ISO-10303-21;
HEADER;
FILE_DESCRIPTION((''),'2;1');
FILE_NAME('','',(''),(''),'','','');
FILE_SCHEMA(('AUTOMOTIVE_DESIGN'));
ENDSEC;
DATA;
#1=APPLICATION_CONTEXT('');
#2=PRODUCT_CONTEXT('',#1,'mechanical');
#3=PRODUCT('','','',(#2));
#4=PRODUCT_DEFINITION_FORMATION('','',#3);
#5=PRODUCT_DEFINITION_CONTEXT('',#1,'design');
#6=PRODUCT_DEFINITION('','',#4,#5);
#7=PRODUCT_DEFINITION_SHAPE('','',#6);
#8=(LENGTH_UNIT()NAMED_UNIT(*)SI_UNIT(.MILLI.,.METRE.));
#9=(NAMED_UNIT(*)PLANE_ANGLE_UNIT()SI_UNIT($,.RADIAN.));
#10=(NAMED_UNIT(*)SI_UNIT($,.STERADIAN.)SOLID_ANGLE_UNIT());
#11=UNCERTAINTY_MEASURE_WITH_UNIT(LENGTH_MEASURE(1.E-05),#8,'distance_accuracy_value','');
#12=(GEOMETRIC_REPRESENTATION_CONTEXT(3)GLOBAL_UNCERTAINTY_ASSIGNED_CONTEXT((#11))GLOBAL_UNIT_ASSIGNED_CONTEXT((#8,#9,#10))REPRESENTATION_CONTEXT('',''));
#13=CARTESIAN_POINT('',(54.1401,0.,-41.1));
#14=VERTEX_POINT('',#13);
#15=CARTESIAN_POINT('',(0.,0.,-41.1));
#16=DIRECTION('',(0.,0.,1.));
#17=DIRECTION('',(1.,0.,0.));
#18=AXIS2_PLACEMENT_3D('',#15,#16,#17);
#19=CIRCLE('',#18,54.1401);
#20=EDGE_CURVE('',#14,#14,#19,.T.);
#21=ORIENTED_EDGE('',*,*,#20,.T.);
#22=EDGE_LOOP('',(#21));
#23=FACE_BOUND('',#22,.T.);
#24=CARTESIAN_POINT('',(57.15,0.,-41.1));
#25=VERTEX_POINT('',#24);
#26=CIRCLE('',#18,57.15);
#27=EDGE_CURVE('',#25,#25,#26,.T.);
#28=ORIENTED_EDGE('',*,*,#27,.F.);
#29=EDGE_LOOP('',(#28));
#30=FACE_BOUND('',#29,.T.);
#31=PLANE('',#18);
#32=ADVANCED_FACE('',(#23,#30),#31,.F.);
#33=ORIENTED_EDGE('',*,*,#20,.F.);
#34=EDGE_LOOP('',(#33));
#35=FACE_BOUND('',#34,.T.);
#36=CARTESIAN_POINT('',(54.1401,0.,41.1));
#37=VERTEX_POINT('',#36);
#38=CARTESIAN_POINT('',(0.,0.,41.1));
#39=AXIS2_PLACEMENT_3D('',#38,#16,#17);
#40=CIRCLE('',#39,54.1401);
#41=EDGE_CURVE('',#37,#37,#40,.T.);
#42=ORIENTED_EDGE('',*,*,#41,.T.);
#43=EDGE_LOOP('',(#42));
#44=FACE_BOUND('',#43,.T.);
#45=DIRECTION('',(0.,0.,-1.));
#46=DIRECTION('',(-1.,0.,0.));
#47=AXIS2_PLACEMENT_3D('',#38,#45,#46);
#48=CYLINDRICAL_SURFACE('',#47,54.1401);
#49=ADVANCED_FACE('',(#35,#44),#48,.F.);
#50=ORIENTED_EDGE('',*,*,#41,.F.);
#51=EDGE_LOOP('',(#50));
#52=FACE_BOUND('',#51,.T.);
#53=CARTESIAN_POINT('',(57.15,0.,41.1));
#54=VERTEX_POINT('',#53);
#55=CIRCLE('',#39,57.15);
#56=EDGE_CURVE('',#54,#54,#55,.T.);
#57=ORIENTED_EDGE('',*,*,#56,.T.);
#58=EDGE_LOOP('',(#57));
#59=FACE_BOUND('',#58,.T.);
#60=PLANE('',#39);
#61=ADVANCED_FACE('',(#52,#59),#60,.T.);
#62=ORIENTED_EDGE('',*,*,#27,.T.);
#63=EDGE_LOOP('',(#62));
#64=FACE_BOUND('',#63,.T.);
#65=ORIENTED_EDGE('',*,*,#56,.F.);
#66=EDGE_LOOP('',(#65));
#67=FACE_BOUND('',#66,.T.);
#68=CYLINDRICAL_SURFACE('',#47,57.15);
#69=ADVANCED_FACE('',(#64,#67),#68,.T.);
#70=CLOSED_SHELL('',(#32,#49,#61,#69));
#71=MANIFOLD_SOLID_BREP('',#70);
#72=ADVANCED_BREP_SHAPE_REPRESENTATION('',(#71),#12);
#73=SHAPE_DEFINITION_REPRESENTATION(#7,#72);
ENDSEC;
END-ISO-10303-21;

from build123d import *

# Parameters (mm, degrees)
SKETCH1_R           = 57.15
SKETCH1_R_2         = 54.1401
BOSS_EXTRUDE1_DEPTH = 41.1


with BuildPart() as part:
    # Sketch1 → Boss-Extrude1 (new, symmetric)
    with BuildSketch(Plane.XY):
        Circle(SKETCH1_R)
        Circle(SKETCH1_R_2, mode=Mode.SUBTRACT)
    extrude(amount=BOSS_EXTRUDE1_DEPTH, both=True)


solid = part.part
